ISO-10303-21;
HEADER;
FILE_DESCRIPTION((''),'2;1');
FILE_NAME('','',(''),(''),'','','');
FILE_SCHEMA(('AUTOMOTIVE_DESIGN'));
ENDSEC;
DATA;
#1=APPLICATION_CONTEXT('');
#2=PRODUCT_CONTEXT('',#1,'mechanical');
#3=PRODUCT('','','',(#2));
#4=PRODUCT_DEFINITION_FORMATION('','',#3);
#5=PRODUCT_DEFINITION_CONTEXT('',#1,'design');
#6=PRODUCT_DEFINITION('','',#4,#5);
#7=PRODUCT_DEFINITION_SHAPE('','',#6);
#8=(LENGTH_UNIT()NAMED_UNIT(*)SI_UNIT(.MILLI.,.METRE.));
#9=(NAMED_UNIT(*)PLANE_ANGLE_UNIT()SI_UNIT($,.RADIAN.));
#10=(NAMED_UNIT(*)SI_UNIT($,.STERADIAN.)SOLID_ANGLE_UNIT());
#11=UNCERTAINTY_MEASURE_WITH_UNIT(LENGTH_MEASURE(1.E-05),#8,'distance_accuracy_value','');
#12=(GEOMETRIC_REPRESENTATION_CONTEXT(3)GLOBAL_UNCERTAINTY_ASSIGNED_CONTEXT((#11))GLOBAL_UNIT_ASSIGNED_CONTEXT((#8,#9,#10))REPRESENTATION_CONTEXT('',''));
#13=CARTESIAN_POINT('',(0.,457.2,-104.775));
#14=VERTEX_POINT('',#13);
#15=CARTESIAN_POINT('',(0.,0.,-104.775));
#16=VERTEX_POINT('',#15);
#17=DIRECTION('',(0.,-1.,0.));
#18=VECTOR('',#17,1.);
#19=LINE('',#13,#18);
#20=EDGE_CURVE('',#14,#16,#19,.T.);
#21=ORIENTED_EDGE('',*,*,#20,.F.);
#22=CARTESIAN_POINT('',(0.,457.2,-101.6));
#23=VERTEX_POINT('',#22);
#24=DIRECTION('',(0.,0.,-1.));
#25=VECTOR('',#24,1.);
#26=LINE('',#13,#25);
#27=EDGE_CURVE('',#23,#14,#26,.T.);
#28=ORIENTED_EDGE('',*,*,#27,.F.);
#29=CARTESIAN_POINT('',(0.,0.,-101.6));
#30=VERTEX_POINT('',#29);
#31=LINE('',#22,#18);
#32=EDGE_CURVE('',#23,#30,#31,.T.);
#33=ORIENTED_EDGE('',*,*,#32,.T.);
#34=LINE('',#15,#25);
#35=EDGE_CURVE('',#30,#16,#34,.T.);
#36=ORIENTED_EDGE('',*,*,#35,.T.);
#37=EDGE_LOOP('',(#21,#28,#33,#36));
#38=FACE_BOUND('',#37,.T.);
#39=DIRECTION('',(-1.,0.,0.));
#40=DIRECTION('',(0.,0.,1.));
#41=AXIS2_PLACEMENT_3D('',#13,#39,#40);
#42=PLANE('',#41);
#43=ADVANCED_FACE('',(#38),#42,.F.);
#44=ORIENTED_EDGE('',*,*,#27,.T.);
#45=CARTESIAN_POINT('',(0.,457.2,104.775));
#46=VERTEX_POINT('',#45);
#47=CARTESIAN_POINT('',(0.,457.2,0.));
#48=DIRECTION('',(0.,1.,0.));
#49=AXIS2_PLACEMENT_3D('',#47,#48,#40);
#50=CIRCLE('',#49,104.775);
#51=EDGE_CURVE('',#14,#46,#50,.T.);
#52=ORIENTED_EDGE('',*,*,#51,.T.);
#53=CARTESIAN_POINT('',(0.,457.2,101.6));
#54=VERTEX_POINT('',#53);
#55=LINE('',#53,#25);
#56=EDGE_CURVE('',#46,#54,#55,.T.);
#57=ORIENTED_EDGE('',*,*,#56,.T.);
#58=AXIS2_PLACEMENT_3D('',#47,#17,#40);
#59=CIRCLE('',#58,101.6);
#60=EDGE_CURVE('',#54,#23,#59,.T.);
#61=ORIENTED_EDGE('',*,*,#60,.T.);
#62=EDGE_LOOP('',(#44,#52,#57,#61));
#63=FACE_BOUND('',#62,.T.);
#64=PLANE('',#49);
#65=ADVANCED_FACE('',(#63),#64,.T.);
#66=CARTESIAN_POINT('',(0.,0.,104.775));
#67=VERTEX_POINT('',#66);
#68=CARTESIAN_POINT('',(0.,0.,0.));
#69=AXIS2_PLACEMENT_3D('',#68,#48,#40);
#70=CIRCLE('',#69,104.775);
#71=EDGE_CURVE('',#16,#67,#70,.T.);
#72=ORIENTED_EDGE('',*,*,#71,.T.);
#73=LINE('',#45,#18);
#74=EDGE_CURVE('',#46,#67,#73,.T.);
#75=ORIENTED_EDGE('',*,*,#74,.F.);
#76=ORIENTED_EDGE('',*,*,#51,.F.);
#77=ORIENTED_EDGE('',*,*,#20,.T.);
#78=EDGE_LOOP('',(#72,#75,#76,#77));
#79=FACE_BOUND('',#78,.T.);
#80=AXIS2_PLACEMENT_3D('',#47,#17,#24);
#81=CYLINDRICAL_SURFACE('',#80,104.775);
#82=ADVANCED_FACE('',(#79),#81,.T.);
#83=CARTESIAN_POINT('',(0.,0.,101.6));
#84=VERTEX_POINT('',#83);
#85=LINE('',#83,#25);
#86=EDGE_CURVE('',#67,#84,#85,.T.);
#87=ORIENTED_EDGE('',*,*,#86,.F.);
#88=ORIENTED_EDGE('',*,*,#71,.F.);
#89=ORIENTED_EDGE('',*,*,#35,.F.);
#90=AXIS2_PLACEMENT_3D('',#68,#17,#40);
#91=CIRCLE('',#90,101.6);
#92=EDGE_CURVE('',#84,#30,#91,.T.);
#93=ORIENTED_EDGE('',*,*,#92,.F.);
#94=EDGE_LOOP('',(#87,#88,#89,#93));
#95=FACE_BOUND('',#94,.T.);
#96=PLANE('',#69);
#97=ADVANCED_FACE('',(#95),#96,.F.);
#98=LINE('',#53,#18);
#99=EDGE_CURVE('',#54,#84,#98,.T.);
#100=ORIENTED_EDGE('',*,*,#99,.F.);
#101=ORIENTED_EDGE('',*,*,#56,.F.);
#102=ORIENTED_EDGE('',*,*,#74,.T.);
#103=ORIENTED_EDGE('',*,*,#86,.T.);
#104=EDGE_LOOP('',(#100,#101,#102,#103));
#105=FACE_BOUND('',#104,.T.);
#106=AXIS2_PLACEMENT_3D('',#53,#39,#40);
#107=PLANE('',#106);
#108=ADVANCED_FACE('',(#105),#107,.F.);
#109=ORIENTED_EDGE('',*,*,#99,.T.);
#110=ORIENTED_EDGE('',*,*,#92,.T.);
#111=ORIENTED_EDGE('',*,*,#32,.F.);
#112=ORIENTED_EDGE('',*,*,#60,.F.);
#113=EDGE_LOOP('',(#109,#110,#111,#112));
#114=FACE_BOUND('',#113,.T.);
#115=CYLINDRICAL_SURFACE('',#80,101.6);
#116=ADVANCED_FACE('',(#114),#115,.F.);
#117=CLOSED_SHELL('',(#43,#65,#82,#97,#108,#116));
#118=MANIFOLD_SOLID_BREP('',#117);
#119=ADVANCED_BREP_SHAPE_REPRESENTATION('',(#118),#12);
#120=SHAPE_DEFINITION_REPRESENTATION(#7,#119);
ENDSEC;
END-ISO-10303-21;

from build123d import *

# Parameters (mm, degrees)
BOSS_EXTRUDE1_DEPTH = 457.2


with BuildPart() as part:
    # Sketch1 → Boss-Extrude1 (new body)
    with BuildSketch(Plane(origin=(0, 0, 0), x_dir=(1, 0, 0), z_dir=(0, 1, 0))):
        with BuildLine():
            Line((0, 104.775), (0, 101.6))
            ThreePointArc((0, 101.6), (-101.6, 0), (0, -101.6))
            Line((0, -101.6), (0, -104.775))
            ThreePointArc((0, -104.775), (-104.775, 0), (0, 104.775))
        make_face()
    extrude(amount=BOSS_EXTRUDE1_DEPTH)


solid = part.part
